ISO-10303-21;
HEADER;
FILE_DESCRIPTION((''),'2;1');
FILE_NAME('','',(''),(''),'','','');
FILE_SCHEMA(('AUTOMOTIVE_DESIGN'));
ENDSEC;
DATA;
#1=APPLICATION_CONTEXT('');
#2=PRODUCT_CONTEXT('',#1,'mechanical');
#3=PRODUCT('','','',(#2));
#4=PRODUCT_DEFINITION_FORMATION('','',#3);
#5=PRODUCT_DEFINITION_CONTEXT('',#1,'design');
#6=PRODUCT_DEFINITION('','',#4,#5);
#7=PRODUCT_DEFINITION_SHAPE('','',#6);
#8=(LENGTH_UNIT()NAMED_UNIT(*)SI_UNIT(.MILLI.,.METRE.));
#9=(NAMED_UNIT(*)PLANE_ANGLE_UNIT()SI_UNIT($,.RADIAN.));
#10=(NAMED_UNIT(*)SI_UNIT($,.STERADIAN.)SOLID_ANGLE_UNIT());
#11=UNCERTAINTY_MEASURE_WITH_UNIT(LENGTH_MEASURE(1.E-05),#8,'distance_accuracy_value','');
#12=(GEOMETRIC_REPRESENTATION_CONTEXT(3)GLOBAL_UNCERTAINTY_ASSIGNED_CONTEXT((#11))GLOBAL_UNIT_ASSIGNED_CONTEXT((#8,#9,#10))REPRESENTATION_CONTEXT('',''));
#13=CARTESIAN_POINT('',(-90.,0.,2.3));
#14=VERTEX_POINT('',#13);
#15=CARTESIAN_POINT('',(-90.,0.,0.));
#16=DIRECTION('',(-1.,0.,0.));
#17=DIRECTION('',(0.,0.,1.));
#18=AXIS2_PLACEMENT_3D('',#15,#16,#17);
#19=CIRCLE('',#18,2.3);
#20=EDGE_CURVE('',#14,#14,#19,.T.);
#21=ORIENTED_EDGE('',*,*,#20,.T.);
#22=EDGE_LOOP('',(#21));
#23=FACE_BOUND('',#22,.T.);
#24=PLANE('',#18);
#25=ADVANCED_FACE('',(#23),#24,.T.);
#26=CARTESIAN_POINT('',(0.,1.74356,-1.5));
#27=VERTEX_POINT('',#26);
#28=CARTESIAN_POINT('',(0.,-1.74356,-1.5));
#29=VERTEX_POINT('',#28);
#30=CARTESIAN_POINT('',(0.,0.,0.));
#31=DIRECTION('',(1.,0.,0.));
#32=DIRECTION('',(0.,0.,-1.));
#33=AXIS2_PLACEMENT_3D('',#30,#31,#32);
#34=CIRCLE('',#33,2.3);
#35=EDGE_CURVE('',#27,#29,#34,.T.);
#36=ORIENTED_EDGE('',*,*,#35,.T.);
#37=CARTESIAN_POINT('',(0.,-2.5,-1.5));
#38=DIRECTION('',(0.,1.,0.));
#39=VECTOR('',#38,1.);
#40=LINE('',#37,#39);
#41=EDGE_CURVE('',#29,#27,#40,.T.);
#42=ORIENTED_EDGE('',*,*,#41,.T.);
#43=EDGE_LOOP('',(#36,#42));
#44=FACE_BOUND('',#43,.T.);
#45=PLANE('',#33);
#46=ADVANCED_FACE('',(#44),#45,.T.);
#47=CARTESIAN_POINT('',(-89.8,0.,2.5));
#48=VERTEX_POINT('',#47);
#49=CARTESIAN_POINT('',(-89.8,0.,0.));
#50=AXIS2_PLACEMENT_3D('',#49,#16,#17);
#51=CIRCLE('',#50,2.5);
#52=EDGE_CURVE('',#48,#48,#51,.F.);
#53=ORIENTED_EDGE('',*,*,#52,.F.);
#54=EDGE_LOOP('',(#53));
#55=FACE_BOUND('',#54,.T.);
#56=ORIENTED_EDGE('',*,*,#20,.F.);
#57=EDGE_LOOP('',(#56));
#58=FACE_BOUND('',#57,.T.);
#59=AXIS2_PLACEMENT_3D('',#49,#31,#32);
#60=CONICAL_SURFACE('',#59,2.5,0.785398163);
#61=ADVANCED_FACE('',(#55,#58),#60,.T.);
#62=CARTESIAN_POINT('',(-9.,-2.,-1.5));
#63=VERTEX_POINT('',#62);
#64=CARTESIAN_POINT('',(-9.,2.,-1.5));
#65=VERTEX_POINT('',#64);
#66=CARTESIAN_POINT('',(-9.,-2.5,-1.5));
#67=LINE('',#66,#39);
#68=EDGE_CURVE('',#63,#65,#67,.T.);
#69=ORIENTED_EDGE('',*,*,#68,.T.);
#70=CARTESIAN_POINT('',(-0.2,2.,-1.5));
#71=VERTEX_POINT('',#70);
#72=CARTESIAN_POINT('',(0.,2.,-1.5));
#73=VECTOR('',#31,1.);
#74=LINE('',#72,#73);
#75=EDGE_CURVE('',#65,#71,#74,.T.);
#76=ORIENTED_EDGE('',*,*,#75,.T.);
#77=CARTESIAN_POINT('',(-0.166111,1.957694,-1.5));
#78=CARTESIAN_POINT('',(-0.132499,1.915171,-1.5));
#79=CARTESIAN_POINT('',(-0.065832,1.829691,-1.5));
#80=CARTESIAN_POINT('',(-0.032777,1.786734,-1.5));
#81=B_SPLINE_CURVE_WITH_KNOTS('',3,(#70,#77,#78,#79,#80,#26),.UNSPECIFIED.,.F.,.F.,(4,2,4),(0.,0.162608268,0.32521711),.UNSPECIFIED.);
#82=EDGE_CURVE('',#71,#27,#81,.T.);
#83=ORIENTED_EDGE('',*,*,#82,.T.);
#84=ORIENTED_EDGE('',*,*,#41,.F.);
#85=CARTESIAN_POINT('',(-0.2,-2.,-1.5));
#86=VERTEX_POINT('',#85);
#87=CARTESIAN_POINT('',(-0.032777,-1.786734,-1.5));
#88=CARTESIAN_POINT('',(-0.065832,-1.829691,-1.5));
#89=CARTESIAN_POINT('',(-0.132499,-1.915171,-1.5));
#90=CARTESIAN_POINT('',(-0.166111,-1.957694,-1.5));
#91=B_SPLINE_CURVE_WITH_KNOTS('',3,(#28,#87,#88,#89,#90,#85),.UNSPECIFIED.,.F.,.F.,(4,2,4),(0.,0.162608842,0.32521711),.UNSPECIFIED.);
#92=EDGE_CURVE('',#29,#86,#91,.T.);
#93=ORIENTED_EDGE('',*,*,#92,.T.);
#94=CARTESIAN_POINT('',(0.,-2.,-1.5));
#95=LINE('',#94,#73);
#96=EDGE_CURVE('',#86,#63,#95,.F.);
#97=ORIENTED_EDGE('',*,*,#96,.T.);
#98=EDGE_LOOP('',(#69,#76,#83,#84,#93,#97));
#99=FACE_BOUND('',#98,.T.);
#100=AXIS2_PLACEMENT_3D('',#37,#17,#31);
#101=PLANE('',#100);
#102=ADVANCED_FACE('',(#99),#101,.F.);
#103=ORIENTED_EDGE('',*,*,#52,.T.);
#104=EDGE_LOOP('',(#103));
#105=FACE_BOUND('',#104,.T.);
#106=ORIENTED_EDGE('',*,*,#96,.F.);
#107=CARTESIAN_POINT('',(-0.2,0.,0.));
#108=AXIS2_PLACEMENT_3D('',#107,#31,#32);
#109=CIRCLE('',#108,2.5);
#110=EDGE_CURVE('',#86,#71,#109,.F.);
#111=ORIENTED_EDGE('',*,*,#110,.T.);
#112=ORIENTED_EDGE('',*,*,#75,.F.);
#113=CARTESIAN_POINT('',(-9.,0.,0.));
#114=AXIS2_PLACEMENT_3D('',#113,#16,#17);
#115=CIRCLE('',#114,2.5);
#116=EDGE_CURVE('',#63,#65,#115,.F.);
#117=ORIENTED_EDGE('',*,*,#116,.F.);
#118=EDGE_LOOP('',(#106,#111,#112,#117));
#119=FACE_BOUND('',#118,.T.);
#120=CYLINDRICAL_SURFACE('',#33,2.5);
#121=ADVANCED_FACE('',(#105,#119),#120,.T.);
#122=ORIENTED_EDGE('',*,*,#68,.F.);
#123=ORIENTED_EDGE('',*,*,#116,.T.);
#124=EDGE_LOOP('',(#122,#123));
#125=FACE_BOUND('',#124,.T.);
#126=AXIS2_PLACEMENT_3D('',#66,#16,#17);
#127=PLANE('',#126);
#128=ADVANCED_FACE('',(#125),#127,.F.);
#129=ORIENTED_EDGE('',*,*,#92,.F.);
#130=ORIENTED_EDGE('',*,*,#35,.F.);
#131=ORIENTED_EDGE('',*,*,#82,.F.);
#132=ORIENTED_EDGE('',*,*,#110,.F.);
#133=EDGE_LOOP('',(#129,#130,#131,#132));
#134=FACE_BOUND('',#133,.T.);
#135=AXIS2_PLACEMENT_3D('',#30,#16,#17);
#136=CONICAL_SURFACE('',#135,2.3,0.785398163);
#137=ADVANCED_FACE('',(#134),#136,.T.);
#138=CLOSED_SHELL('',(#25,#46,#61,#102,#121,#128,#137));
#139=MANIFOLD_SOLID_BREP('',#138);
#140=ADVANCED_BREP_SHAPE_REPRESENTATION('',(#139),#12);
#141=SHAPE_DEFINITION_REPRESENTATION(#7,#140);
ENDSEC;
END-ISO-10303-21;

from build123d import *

# Parameters (mm, degrees)
SKETCH1_W               = 90
SKETCH1_H               = 2.5
CUT_EXTRUDE1_DEPTH      = 91.069417673
CUT_EXTRUDE1_DEPTH_BACK = 91.069417673
SKETCH2_W               = 9
SKETCH2_H               = 1
CHAMFER1_SIZE           = 0.2


with BuildPart() as part:
    # Sketch1 → Revolve1 (revolve)
    with BuildSketch(Plane(origin=(0, 0, 0), x_dir=(1, 0, 0), z_dir=(0, 1, 0))):
        with Locations((-45, 1.25)):
            Rectangle(SKETCH1_W, SKETCH1_H)
    revolve(axis=Axis((0, 0, 0), (-1, 0, 0)))

    # Sketch2 → Cut-Extrude1 (cut, two sides: drawn at the far end of the back side and taken through both)
    with BuildSketch(Plane(origin=(0, 0, 0), x_dir=(1, 0, 0), z_dir=(0, 1, 0)).offset(-CUT_EXTRUDE1_DEPTH_BACK)):
        with Locations((-4.5, 2)):
            Rectangle(SKETCH2_W, SKETCH2_H)
    extrude(amount=CUT_EXTRUDE1_DEPTH + CUT_EXTRUDE1_DEPTH_BACK, mode=Mode.SUBTRACT)

    # Chamfer1
    chamfer1_edges = [part.edges().sort_by_distance(p)[0] for p in [
        (-90, 0, 2.5),
        (0, 0, 2.5),
    ]]
    chamfer(chamfer1_edges, length=CHAMFER1_SIZE)


solid = part.part
